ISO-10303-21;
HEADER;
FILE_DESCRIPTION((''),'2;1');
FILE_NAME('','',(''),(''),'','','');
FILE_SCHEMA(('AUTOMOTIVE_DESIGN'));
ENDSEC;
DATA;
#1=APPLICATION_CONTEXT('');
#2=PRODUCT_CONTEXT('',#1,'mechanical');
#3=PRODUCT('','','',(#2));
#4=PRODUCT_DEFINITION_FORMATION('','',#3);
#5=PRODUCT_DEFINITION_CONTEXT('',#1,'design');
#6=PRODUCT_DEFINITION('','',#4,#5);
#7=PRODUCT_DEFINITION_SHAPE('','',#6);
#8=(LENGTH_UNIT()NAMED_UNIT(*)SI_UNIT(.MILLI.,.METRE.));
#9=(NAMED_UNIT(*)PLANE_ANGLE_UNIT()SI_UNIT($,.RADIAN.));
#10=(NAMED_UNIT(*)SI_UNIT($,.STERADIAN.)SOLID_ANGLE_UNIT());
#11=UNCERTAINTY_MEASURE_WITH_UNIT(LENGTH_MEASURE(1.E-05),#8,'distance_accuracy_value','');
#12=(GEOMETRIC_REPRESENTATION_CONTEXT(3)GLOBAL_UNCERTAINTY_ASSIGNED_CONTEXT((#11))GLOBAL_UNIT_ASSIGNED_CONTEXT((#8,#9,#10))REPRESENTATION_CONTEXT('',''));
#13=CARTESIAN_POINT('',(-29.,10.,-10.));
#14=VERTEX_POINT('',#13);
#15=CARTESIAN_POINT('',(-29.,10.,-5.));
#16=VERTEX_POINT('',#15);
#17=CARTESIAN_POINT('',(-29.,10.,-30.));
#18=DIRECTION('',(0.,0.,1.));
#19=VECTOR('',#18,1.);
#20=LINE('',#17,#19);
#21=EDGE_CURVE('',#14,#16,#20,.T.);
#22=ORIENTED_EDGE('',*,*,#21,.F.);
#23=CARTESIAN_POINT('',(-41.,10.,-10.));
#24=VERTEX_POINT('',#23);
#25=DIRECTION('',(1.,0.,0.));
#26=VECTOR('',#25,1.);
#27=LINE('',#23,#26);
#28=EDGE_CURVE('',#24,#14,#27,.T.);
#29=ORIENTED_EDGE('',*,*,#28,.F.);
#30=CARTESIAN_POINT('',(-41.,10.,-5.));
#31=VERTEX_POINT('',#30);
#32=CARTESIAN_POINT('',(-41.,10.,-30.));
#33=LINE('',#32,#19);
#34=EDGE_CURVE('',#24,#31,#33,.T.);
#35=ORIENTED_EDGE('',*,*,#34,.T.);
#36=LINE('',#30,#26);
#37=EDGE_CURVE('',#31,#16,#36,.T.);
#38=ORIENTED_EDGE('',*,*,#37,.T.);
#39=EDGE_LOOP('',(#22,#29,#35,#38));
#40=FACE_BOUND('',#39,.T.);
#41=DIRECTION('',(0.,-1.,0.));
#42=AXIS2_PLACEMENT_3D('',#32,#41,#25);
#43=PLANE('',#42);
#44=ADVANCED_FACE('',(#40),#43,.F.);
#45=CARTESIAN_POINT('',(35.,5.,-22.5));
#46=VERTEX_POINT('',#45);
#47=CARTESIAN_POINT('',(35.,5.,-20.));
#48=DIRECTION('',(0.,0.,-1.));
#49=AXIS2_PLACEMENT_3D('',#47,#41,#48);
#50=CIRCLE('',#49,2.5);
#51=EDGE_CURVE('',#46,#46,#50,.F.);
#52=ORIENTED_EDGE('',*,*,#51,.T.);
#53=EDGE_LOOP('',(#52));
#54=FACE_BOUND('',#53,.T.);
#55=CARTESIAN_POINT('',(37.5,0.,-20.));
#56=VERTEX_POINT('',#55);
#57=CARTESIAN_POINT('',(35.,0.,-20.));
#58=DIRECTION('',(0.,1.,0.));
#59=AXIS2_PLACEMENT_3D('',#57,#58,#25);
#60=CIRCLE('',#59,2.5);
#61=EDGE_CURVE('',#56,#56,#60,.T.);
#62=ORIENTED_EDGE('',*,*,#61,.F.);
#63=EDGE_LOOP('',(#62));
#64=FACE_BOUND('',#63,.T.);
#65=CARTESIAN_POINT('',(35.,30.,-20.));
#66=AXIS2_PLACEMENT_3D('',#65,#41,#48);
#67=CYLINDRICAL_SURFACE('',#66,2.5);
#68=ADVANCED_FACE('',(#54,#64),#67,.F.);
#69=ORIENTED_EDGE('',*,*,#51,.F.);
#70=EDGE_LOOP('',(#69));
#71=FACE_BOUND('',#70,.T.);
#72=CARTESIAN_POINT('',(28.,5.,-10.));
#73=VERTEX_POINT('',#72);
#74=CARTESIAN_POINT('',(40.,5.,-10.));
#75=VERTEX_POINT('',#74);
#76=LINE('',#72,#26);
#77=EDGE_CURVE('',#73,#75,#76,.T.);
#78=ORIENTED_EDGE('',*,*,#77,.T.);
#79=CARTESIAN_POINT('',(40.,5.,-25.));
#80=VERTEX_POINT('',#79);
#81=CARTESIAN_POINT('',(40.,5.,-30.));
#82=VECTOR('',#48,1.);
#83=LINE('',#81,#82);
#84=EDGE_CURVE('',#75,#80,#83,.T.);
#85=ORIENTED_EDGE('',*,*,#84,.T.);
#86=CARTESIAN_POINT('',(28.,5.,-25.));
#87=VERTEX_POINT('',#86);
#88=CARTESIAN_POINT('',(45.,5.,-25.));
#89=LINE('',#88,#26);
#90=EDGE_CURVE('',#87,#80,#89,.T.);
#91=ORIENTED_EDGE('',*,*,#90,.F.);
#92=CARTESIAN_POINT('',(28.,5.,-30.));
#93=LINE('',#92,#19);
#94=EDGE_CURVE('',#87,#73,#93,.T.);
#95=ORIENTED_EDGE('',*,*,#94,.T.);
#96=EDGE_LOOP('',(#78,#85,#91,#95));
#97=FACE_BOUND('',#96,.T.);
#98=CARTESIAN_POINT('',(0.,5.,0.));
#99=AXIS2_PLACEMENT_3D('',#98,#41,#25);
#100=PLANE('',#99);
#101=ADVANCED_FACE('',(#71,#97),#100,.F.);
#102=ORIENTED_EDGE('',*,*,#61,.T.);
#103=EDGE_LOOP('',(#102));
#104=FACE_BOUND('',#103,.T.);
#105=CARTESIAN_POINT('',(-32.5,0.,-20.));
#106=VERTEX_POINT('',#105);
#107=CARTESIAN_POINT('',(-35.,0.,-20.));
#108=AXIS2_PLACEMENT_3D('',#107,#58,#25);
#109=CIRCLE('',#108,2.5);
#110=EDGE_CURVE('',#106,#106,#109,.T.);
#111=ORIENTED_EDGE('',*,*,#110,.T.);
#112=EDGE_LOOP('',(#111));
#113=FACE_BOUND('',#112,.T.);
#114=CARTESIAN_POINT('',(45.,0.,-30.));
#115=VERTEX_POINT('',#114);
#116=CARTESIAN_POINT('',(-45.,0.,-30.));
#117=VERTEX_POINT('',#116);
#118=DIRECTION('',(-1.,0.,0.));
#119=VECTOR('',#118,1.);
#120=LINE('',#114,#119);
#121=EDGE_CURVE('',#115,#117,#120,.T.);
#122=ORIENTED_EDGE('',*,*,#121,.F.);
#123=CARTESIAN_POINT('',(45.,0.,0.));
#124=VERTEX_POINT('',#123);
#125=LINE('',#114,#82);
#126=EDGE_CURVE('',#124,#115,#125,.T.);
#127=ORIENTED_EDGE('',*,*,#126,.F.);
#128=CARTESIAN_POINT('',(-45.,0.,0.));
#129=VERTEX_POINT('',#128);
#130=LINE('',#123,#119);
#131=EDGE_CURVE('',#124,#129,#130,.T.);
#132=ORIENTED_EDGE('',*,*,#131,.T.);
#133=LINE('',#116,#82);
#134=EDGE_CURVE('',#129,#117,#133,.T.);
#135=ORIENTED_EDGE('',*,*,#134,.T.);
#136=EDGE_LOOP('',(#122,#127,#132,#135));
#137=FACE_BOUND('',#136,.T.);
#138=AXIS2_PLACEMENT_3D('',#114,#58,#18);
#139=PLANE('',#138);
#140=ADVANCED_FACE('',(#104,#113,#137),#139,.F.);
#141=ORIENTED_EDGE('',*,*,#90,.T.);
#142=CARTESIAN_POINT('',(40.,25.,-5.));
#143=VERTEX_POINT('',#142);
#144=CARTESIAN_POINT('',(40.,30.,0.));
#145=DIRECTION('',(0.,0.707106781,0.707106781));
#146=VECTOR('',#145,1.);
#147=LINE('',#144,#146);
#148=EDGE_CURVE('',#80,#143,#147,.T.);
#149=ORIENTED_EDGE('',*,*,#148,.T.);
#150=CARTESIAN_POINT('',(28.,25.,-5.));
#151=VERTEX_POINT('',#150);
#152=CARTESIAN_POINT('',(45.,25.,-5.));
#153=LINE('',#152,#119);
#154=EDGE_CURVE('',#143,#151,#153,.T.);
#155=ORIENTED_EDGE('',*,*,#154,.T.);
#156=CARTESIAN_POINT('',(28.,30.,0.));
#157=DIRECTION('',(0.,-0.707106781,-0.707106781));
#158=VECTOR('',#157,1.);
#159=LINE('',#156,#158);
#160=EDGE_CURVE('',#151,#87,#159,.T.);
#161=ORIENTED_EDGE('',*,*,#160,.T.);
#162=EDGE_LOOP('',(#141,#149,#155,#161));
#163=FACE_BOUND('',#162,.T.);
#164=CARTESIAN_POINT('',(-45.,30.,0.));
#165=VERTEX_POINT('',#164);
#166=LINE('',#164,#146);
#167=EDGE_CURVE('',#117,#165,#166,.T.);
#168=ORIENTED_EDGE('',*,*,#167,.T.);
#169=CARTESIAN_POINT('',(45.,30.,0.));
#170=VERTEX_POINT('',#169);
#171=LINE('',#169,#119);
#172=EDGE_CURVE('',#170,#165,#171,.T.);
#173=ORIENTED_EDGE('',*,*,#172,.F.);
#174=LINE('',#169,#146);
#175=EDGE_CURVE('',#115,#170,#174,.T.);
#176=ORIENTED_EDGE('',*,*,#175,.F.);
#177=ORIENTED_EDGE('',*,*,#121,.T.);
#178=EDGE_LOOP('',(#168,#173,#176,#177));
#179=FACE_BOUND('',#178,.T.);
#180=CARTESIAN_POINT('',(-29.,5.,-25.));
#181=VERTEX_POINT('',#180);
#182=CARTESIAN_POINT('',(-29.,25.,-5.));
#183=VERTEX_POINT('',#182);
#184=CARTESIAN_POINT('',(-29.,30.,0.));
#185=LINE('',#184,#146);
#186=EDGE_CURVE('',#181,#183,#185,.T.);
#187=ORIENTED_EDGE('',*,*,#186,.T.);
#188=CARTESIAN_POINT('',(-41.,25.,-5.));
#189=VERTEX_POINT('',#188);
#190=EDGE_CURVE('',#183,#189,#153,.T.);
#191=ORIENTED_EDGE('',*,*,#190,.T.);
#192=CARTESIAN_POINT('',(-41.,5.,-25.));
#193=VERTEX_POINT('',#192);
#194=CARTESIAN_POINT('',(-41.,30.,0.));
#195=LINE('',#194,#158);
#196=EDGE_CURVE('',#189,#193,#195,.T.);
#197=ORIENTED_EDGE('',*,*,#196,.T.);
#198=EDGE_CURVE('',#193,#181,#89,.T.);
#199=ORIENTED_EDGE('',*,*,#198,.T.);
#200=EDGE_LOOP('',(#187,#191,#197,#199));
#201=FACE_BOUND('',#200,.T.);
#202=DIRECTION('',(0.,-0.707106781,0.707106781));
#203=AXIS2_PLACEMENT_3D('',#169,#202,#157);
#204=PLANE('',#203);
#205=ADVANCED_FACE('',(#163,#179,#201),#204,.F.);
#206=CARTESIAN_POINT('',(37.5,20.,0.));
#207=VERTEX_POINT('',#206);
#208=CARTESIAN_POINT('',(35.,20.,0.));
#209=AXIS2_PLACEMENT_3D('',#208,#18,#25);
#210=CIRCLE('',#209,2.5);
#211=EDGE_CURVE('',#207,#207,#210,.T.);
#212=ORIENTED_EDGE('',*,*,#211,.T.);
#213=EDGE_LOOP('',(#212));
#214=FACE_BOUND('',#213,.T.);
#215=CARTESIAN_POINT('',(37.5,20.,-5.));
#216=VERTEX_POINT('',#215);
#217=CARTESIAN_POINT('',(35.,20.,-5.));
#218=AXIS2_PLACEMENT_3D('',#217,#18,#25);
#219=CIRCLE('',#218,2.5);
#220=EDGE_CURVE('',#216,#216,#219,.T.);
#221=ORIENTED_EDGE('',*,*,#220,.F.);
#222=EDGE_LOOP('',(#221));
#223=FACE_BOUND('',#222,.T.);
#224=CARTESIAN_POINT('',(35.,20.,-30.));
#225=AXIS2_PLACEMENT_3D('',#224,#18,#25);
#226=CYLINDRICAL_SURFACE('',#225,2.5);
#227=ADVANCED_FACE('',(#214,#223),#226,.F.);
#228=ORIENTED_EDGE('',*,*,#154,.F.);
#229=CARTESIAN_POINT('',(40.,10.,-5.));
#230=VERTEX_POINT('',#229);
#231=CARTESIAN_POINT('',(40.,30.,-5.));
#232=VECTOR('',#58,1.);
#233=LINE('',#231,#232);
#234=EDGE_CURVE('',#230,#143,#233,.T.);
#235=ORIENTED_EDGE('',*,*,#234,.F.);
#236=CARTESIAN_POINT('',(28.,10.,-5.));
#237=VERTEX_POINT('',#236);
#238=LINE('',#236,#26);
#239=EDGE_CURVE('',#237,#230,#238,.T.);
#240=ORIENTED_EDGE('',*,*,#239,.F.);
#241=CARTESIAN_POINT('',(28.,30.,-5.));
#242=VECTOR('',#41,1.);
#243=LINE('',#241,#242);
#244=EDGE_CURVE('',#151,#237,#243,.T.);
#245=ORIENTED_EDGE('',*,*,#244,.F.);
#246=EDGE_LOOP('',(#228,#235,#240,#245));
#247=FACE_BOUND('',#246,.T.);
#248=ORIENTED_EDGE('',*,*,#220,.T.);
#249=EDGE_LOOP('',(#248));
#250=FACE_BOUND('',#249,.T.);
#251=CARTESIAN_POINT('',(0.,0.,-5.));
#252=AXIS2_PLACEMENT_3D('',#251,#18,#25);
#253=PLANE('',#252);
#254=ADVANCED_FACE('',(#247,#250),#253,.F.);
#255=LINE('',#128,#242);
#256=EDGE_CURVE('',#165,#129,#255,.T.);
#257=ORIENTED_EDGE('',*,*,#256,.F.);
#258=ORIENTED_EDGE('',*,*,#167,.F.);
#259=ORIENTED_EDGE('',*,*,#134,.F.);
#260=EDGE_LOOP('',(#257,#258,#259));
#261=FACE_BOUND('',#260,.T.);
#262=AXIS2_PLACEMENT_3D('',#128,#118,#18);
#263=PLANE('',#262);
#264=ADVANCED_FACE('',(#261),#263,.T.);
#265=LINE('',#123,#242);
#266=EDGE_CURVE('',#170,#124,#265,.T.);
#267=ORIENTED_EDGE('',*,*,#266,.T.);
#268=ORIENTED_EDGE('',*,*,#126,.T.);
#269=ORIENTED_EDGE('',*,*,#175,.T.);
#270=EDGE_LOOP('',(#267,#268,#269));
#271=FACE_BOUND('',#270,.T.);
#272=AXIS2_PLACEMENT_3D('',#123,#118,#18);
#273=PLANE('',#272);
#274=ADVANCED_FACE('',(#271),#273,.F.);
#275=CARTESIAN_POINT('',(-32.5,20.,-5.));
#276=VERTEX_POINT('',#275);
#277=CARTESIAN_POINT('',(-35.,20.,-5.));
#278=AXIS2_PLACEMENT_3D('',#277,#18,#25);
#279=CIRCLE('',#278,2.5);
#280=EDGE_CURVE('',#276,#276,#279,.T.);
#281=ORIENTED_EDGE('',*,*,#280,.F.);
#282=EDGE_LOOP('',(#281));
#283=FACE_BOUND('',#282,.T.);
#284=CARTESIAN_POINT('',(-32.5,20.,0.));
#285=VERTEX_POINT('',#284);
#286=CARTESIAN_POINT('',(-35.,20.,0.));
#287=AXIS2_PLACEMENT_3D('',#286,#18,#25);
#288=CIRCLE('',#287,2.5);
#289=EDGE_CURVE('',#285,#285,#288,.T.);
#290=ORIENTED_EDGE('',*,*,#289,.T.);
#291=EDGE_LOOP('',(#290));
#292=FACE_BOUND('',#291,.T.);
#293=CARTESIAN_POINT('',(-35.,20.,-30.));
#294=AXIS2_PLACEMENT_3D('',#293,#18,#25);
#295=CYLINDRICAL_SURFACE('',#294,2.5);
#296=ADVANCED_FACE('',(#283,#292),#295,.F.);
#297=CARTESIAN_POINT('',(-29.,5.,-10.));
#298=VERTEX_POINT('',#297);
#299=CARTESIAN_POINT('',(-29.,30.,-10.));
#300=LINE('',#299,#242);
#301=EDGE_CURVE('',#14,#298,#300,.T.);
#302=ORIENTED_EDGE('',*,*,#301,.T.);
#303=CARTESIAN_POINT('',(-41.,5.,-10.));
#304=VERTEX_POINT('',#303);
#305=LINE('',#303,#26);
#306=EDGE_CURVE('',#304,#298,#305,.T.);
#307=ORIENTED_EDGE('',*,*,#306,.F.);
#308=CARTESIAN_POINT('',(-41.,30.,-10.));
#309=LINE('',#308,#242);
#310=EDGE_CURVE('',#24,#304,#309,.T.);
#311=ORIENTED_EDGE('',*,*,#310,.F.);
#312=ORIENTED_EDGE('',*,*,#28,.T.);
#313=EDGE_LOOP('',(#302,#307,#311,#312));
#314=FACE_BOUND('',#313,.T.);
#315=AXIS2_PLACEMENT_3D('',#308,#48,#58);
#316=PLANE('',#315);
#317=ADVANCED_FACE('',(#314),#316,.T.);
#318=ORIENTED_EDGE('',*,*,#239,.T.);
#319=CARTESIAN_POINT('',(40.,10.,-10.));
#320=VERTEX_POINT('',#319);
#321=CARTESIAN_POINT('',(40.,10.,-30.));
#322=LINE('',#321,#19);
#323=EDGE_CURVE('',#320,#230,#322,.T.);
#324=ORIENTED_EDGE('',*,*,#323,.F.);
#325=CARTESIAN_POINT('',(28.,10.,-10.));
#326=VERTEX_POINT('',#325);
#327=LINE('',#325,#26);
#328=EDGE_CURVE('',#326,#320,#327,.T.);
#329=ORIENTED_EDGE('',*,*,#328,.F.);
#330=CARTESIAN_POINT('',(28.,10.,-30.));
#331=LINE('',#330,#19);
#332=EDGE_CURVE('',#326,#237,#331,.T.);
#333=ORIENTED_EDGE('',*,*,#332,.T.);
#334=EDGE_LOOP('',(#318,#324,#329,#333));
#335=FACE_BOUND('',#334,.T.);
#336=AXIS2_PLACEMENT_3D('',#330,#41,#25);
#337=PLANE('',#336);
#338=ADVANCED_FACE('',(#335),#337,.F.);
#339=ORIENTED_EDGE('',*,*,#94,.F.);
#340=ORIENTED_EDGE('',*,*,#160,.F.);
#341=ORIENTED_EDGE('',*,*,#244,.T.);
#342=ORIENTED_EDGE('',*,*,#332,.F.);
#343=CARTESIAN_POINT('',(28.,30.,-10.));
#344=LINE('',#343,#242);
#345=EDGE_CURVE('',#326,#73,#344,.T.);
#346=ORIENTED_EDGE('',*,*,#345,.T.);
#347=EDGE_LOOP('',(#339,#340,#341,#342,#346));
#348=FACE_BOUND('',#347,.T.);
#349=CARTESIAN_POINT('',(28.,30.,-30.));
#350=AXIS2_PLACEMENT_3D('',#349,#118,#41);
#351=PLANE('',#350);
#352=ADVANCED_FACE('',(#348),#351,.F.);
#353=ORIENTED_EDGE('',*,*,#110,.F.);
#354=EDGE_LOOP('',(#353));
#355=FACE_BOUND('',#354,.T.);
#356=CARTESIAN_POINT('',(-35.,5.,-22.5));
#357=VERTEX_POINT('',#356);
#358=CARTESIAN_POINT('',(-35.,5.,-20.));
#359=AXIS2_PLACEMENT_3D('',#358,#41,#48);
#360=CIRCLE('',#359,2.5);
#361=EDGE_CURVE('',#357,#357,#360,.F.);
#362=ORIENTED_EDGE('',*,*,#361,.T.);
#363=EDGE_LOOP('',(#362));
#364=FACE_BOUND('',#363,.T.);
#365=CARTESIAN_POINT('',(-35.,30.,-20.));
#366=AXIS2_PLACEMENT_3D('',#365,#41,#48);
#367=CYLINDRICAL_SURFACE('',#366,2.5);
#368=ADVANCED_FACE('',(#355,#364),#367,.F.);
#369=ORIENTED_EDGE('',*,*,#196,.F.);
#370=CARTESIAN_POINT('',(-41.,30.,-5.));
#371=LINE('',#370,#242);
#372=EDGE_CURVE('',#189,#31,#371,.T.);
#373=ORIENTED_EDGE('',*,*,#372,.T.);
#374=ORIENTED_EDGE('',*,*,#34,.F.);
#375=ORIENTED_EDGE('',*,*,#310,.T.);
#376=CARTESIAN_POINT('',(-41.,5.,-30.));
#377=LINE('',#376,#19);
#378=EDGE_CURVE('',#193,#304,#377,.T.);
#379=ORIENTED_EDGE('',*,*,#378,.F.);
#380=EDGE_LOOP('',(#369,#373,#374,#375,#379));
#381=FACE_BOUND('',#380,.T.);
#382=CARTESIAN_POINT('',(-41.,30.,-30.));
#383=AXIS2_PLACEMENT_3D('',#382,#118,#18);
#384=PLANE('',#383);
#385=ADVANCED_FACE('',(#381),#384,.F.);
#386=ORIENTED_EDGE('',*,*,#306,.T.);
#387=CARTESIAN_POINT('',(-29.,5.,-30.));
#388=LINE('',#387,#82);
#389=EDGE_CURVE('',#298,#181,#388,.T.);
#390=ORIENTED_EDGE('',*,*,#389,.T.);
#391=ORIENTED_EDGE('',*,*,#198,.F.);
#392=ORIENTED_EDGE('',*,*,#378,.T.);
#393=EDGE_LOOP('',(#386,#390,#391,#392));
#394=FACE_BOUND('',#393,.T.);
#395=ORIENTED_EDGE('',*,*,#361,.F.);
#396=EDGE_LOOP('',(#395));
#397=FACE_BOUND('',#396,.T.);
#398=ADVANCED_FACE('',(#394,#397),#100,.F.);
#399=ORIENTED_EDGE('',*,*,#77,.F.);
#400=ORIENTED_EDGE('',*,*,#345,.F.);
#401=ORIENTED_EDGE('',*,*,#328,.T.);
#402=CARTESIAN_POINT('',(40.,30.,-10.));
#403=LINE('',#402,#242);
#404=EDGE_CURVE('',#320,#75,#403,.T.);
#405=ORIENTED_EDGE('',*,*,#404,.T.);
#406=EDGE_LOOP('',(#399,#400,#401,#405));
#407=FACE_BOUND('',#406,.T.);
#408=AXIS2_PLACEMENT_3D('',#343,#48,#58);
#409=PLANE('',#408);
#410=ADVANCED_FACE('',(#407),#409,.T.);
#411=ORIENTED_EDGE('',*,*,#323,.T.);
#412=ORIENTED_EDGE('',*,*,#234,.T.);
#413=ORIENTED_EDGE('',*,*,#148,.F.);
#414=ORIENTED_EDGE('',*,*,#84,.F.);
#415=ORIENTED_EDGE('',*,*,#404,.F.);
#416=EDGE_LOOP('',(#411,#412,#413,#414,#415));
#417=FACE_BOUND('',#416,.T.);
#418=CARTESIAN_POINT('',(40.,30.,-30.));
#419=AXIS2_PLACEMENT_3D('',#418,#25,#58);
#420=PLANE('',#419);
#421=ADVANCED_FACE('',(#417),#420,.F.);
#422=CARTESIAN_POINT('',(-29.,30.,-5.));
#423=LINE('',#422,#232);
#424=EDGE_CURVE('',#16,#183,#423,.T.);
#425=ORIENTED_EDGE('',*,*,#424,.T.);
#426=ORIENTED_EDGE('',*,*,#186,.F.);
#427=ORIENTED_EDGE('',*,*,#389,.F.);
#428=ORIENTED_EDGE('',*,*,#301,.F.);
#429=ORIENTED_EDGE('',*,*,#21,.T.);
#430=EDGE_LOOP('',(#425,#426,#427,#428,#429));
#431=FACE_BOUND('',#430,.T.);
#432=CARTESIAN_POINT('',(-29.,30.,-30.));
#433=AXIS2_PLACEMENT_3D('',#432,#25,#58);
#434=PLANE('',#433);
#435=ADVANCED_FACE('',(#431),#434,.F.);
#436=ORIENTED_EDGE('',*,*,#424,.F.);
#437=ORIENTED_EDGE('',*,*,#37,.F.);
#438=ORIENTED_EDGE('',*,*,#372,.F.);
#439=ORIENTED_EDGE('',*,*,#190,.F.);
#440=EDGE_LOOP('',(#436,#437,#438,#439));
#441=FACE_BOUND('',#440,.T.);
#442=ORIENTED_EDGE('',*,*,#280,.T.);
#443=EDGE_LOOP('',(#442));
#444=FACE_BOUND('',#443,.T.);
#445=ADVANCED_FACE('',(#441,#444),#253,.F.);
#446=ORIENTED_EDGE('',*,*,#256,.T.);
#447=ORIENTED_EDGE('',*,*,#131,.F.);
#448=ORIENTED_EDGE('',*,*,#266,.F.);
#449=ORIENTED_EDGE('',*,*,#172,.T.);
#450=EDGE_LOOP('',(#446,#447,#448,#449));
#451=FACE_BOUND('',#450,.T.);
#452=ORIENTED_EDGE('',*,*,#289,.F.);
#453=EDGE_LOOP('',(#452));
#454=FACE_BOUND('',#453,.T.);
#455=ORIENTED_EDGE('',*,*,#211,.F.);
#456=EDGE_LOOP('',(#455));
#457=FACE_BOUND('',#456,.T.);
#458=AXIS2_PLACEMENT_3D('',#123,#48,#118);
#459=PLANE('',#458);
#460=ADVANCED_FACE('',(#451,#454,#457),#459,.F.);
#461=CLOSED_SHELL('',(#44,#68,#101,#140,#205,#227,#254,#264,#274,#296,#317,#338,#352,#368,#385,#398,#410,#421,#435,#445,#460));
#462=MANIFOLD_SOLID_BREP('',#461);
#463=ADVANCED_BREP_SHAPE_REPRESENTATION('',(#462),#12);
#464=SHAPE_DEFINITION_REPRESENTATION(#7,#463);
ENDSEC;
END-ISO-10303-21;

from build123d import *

# Parameters (mm, degrees)
BOSS_EXTRUDE1_DEPTH = 45
CUT_EXTRUDE1_START  = -5
SKETCH2_W           = 12
SKETCH2_H           = 20
CUT_EXTRUDE1_DEPTH  = 57.846584384
SKETCH3_R           = 2.5
CUT_EXTRUDE2_DEPTH  = 62.846584384


with BuildPart() as part:
    # Sketch1 → Boss-Extrude1 (new, symmetric)
    with BuildSketch(Plane(origin=(0, 0, 0), x_dir=(0, 0, -1), z_dir=(1, 0, 0))):
        Polygon((0, 0), (0, 30), (30, 0), align=None)
    extrude(amount=BOSS_EXTRUDE1_DEPTH, both=True)

    # Sketch2 → Cut-Extrude1 (cut, through all)
    with BuildSketch(Plane.XY.offset(CUT_EXTRUDE1_START)):
        with Locations((-35, 20)):
            Rectangle(SKETCH2_W, SKETCH2_H)
        with Locations((34, 20)):
            Rectangle(SKETCH2_W, SKETCH2_H)
    cut_extrude1 = extrude(amount=-CUT_EXTRUDE1_DEPTH, mode=Mode.SUBTRACT)

    # Sketch3 → Cut-Extrude2 (cut, through all)
    with BuildSketch(Plane.XY):
        with Locations((-35, 20)):
            Circle(SKETCH3_R)
        with Locations((35, 20)):
            Circle(SKETCH3_R)
    cut_extrude2 = extrude(amount=-CUT_EXTRUDE2_DEPTH, mode=Mode.SUBTRACT)

    # Mirror1: Cut-Extrude1, Cut-Extrude2 across plane
    add(cut_extrude1.mirror(Plane(origin=(0, 0, 0), x_dir=(0, -0.7071067811865477, 0.7071067811865474), z_dir=(0, -0.7071067811865476, -0.7071067811865476))), mode=Mode.SUBTRACT)
    add(cut_extrude2.mirror(Plane(origin=(0, 0, 0), x_dir=(0, -0.7071067811865477, 0.7071067811865474), z_dir=(0, -0.7071067811865476, -0.7071067811865476))), mode=Mode.SUBTRACT)


solid = part.part
